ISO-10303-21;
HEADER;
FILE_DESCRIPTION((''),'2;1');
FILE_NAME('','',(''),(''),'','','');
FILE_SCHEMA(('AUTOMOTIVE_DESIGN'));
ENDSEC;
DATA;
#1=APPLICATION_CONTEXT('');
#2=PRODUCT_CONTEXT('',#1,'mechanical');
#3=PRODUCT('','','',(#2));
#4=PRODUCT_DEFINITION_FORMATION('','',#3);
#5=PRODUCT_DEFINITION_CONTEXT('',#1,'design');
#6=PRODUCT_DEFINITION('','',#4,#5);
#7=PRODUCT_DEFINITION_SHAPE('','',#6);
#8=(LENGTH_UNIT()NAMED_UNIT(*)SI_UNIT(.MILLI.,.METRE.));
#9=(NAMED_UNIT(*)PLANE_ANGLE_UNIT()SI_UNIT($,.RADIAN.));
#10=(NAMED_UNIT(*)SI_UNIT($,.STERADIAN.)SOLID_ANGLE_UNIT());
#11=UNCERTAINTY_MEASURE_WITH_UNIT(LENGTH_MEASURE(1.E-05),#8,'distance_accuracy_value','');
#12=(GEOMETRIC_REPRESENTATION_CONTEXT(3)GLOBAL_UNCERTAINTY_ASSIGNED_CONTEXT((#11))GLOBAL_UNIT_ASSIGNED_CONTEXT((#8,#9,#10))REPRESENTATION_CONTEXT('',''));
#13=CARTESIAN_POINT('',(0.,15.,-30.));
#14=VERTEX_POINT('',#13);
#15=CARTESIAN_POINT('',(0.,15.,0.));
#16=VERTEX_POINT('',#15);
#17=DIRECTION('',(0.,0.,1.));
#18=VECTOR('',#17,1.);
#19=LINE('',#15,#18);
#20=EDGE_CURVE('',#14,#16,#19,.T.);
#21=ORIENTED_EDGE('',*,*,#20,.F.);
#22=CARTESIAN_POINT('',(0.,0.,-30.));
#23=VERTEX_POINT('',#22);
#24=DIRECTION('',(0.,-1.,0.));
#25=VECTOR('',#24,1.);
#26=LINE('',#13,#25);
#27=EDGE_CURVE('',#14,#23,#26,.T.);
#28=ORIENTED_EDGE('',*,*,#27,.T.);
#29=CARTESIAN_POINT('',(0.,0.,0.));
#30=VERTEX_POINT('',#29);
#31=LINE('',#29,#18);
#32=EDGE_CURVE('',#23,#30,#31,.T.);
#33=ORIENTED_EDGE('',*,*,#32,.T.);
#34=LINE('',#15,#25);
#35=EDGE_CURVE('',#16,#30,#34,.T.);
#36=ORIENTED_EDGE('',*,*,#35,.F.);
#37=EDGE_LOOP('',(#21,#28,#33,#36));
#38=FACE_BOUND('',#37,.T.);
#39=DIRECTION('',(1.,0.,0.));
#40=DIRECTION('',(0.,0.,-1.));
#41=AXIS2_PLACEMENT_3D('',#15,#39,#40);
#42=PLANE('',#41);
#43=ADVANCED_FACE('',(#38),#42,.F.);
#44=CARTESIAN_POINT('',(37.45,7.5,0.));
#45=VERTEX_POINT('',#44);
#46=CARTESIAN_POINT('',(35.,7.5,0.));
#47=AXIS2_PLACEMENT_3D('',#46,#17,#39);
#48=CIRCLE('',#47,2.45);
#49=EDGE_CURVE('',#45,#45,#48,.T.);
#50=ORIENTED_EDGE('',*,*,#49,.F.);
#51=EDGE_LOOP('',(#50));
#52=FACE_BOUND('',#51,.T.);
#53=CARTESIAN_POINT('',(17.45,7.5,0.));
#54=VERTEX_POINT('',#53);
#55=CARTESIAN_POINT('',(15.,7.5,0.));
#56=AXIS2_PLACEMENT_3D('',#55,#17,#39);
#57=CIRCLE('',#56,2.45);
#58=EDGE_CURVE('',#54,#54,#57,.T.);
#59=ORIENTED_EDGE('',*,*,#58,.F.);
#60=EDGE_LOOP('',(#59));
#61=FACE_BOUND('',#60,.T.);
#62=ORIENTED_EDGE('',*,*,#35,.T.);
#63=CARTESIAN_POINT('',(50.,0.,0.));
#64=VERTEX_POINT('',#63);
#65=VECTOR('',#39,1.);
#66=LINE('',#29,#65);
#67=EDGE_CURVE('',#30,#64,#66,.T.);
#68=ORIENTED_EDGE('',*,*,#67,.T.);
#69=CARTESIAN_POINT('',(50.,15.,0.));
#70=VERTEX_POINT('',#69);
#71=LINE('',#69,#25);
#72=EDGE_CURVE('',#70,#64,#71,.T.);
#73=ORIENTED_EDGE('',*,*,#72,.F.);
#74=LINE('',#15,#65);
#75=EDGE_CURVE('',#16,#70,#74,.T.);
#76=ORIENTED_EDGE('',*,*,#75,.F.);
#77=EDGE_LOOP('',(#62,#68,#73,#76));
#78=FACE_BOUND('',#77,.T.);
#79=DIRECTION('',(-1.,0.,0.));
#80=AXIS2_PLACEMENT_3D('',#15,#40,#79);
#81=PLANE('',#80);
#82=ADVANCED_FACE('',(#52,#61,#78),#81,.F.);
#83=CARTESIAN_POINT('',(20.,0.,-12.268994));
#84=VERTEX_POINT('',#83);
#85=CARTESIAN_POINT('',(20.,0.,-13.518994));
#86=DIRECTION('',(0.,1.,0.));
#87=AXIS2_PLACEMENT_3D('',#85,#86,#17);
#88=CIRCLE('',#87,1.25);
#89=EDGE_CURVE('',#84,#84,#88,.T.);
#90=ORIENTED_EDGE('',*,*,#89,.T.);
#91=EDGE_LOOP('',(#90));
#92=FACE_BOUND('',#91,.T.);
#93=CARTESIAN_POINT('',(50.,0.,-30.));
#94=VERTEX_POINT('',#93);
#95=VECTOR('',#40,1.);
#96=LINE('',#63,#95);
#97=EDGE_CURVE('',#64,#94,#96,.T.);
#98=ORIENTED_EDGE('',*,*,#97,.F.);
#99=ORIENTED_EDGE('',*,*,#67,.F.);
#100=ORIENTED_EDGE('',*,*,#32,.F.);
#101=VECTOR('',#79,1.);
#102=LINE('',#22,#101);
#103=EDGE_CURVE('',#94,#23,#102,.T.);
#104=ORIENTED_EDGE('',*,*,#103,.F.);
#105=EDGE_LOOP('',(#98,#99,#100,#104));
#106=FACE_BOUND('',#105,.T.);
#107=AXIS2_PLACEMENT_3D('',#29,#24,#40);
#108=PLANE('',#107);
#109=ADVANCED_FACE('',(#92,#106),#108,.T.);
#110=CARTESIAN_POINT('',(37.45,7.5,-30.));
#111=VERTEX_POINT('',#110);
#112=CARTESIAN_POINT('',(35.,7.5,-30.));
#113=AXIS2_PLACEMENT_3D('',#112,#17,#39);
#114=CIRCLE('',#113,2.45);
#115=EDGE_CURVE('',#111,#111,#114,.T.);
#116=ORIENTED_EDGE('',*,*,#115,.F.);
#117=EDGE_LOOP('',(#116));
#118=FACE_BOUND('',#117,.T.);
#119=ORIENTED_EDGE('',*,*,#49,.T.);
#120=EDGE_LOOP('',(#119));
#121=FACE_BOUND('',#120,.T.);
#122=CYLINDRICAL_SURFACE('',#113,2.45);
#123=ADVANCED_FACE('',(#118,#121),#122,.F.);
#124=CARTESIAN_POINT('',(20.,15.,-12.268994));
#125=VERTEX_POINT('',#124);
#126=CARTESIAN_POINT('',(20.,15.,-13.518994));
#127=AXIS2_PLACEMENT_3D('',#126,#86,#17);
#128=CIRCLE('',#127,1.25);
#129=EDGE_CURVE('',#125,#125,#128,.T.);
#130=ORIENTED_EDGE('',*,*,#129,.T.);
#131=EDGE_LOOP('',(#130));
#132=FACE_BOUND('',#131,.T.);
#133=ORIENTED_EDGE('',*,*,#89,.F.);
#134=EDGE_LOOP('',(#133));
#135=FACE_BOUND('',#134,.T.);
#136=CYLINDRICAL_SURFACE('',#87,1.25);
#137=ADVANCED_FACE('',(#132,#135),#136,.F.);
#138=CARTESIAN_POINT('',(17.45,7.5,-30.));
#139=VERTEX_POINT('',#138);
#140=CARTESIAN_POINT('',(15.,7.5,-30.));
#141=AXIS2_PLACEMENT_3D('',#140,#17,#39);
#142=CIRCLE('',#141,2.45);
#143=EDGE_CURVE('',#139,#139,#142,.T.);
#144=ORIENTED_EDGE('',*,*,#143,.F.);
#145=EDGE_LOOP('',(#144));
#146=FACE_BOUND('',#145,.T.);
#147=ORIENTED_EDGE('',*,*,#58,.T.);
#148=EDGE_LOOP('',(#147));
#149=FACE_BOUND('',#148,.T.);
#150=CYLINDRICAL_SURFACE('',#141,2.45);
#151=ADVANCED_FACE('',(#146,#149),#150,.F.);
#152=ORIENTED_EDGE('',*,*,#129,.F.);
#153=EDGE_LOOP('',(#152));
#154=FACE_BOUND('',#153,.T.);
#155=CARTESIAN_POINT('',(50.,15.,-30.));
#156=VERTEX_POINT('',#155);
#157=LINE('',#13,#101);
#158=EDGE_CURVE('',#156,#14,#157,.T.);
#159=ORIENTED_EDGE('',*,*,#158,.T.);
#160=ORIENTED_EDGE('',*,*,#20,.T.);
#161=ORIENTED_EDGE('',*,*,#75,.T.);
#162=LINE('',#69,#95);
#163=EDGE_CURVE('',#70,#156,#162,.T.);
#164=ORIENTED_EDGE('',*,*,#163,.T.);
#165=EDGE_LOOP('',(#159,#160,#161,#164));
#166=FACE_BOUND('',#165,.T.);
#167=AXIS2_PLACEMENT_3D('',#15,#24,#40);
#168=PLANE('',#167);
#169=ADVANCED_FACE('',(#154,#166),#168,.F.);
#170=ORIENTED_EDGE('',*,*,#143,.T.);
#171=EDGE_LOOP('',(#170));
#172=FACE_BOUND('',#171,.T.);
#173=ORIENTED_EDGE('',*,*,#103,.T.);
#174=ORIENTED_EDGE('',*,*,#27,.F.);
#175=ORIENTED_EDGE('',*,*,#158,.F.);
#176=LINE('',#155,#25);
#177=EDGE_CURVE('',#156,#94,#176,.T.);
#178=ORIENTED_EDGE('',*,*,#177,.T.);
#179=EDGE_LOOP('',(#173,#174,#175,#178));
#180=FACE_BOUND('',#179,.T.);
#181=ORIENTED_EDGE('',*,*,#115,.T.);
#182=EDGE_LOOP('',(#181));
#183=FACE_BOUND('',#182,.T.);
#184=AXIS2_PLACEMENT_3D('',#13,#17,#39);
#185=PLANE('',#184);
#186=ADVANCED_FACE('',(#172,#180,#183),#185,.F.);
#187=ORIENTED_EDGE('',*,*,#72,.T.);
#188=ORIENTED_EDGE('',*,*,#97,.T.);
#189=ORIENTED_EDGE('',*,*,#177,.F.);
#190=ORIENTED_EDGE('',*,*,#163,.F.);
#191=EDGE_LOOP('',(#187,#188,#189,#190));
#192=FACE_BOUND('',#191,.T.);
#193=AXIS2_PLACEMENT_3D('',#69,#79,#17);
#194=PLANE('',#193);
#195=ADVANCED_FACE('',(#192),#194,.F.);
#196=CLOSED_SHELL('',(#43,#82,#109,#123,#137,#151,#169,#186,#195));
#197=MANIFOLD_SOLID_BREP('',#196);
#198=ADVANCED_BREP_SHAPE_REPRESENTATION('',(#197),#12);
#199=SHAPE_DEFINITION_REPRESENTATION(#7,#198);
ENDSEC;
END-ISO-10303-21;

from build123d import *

# Parameters (mm, degrees)
SKETCH1_W           = 50
SKETCH1_H           = 30
BOSS_EXTRUDE1_DEPTH = 15
SKETCH2_R           = 2.45
CUT_EXTRUDE1_DEPTH  = 31
SKETCH3_R           = 1.25
CUT_EXTRUDE2_DEPTH  = 16


with BuildPart() as part:
    # Sketch1 → Boss-Extrude1 (new body)
    with BuildSketch(Plane(origin=(0, 0, 0), x_dir=(1, 0, 0), z_dir=(0, 1, 0))):
        with Locations((25, 15)):
            Rectangle(SKETCH1_W, SKETCH1_H)
    extrude(amount=BOSS_EXTRUDE1_DEPTH)

    # Sketch2 → Cut-Extrude1 (cut, through all)
    with BuildSketch(Plane.XY):
        with Locations((35, 7.5)):
            Circle(SKETCH2_R)
        with Locations((15, 7.5)):
            Circle(SKETCH2_R)
    extrude(amount=-CUT_EXTRUDE1_DEPTH, mode=Mode.SUBTRACT)

    # Sketch3 → Cut-Extrude2 (cut, through all)
    with BuildSketch(Plane(origin=(0, 15, 0), x_dir=(1, 0, 0), z_dir=(0, 1, 0))):
        with Locations((20, 13.518993942)):
            Circle(SKETCH3_R)
    extrude(amount=-CUT_EXTRUDE2_DEPTH, mode=Mode.SUBTRACT)


solid = part.part
